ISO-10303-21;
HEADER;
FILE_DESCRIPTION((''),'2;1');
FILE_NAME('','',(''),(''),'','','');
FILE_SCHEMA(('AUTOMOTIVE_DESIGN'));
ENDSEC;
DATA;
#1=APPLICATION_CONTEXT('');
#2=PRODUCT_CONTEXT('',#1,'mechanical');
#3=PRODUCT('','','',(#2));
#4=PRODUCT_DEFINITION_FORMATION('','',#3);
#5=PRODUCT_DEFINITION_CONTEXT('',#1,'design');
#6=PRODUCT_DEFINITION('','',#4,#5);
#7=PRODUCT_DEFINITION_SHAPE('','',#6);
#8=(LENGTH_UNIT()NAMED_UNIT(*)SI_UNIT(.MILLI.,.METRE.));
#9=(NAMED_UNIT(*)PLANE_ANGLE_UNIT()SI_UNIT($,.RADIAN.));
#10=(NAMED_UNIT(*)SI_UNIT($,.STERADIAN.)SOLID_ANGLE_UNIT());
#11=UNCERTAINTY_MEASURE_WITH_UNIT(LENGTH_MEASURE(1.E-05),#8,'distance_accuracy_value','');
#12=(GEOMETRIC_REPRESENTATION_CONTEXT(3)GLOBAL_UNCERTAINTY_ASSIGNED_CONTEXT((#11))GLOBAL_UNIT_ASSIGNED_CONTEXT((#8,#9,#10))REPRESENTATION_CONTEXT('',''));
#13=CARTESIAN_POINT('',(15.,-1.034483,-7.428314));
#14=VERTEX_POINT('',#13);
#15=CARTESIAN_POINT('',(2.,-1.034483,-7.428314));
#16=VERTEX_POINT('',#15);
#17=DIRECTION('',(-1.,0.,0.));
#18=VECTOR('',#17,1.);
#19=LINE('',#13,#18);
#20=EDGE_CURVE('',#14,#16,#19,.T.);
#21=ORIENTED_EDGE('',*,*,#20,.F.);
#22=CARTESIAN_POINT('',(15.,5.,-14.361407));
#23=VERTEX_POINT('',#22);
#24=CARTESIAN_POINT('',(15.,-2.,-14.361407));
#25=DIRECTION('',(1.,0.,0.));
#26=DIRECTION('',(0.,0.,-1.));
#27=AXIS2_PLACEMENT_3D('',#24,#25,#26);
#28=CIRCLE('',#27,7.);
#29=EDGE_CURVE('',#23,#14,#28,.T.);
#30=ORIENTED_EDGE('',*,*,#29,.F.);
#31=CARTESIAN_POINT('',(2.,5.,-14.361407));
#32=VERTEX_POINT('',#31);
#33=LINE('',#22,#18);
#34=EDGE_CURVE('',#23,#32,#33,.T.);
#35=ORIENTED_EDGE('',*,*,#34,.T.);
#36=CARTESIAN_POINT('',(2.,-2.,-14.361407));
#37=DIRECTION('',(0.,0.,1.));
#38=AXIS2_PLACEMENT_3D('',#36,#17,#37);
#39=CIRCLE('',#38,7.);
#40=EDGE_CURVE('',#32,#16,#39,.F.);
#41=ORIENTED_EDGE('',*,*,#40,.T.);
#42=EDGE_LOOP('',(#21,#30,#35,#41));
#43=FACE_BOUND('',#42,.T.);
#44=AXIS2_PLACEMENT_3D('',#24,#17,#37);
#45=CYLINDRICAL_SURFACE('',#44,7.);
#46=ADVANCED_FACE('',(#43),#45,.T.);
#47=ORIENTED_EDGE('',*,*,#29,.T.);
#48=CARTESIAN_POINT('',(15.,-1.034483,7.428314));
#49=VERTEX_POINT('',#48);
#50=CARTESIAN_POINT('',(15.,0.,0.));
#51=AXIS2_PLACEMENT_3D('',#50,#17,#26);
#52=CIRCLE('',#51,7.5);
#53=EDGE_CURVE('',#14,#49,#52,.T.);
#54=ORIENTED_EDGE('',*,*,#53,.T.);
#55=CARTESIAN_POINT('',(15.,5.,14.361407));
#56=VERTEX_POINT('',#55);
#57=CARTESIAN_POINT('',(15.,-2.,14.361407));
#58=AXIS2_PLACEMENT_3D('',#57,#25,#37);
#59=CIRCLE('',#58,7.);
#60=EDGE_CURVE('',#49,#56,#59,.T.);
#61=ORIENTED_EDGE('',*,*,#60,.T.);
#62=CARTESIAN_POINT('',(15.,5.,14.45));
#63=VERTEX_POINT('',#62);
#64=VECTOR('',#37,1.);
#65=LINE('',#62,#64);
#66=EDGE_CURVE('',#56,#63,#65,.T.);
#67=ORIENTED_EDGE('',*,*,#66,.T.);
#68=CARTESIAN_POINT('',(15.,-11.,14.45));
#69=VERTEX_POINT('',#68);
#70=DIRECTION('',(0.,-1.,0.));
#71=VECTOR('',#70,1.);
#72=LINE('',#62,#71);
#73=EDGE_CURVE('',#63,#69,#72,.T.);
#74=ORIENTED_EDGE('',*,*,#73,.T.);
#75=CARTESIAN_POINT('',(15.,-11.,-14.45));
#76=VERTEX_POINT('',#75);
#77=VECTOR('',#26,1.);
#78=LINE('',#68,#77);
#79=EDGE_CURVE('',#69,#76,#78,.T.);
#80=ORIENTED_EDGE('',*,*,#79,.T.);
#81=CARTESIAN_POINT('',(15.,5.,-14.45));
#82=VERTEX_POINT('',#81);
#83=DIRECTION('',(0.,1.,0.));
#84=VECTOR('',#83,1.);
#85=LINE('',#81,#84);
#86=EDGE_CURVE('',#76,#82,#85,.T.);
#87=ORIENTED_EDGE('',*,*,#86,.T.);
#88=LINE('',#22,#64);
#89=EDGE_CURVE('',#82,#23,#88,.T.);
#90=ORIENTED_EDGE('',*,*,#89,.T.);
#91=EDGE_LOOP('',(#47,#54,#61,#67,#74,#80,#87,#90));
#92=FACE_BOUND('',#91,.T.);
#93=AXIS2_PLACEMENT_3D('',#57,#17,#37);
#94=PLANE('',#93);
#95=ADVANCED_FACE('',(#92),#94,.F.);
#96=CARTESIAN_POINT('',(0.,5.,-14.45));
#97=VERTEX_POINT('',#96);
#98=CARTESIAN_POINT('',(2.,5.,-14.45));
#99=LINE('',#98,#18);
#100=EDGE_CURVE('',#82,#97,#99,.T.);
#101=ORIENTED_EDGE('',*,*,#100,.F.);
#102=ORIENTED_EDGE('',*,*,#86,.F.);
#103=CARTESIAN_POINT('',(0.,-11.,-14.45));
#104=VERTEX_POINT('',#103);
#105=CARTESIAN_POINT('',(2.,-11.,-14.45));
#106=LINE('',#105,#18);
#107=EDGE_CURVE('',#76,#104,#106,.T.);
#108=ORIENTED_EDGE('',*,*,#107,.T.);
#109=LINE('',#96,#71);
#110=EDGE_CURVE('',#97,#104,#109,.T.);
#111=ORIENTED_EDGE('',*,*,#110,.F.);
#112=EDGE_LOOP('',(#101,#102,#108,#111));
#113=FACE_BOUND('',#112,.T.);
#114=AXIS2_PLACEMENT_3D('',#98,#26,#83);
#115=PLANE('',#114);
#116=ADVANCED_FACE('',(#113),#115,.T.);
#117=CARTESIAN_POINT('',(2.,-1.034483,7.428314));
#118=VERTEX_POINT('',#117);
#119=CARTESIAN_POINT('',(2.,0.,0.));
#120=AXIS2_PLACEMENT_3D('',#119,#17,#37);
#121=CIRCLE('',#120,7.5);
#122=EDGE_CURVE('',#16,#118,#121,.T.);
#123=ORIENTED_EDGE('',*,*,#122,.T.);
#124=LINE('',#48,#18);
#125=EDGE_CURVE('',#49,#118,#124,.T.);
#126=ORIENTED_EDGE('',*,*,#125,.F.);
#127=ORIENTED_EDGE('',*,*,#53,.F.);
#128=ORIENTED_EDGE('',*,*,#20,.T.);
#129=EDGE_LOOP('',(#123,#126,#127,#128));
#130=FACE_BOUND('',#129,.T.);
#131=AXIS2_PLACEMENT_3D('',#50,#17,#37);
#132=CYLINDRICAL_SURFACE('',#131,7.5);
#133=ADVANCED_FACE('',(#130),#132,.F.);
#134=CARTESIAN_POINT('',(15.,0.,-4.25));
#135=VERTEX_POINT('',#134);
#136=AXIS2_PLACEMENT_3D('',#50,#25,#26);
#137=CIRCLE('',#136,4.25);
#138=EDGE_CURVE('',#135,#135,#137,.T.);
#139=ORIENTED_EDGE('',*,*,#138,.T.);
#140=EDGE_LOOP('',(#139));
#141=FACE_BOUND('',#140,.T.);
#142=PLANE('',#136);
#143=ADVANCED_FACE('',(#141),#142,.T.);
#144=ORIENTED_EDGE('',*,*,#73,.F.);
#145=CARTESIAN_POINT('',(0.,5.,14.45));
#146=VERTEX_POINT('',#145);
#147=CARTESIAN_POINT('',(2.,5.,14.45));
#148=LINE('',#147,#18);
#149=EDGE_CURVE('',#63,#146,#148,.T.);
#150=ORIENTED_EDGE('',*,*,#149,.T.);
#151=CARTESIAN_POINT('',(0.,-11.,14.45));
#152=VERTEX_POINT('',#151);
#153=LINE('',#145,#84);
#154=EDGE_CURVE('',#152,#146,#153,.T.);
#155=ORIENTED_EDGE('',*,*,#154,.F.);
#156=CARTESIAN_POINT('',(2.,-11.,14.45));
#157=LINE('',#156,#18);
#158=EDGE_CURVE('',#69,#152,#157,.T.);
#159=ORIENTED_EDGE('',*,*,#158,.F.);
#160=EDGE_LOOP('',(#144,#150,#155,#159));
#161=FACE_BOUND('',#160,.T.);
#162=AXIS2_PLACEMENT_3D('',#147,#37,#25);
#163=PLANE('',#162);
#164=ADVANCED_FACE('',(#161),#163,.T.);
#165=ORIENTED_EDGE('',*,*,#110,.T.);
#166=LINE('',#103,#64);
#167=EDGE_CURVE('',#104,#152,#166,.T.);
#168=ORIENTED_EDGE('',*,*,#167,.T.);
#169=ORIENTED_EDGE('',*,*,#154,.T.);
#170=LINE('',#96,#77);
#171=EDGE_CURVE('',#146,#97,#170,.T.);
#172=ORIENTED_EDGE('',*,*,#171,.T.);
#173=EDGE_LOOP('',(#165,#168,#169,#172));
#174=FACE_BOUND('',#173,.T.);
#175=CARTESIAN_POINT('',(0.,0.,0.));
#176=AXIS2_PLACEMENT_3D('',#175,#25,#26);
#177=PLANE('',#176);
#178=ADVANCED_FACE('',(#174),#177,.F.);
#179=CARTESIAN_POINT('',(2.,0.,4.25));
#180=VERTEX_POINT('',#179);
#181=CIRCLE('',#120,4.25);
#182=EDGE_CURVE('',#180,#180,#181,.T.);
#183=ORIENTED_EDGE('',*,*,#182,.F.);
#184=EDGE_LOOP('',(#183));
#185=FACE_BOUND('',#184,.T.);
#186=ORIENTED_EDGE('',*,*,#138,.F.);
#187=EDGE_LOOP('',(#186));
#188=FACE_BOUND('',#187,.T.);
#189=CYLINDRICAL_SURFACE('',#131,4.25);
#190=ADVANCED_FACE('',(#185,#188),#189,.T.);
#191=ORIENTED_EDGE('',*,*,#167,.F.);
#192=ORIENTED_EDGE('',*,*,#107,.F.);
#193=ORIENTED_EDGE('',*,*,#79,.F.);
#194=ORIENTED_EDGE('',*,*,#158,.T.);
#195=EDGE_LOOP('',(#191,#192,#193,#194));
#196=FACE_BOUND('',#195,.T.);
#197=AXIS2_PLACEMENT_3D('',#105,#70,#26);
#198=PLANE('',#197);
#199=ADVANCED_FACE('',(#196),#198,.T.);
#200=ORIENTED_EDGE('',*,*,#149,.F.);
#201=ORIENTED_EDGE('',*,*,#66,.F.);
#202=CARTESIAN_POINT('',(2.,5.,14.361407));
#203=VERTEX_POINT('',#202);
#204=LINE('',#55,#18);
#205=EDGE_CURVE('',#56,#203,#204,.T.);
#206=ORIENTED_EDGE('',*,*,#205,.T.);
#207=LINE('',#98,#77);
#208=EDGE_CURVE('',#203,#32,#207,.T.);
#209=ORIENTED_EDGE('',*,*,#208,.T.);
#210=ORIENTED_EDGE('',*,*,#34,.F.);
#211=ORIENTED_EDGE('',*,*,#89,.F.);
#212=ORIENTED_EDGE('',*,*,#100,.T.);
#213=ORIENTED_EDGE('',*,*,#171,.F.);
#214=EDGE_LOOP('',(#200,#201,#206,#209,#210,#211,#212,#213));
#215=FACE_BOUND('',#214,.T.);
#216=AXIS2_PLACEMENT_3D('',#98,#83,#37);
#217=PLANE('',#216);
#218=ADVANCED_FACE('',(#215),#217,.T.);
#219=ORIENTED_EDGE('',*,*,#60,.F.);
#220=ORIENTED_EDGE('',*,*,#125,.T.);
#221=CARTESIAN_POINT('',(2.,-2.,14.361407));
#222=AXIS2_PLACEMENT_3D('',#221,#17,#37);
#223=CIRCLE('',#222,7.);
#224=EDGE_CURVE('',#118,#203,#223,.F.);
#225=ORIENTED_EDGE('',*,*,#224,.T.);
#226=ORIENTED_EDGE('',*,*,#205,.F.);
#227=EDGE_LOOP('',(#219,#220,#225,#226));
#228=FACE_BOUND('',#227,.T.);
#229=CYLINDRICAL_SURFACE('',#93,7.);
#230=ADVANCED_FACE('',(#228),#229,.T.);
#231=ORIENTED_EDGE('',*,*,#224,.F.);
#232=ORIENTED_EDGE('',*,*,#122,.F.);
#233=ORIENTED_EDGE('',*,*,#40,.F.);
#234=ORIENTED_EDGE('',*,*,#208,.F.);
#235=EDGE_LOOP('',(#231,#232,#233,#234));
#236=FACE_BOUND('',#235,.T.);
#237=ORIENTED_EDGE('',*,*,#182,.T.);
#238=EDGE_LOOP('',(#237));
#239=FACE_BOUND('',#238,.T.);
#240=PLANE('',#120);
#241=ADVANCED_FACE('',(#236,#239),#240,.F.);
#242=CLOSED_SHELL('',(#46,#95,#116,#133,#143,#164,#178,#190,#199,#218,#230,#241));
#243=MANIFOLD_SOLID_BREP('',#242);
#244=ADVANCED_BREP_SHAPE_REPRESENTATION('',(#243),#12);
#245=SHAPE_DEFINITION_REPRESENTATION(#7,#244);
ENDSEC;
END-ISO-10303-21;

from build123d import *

# Parameters (mm, degrees)
CROQUIS2_R                = 4.25
SALIENTE_EXTRUIR1_DEPTH   = 15
SALIENTE_EXTRUIR1_2_DEPTH = 15
CROQUIS3_W                = 28.9
CROQUIS3_H                = 16
SALIENTE_EXTRUIR2_DEPTH   = 2


with BuildPart() as part:
    # Croquis2 → Saliente-Extruir1 (new body)
    with BuildSketch(Plane(origin=(0, 0, 0), x_dir=(0, 0, -1), z_dir=(1, 0, 0))):
        Circle(CROQUIS2_R)
    extrude(amount=SALIENTE_EXTRUIR1_DEPTH)



with BuildPart() as body_2:
    # Croquis2 → Saliente-Extruir1 2 (new body)
    with BuildSketch(Plane(origin=(0, 0, 0), x_dir=(0, 0, -1), z_dir=(1, 0, 0))):
        with BuildLine():
            Line((-14.45, 5), (-14.361406616, 5))
            ThreePointArc((-14.361406616, 5), (-9.765681466, 3.280086206), (-7.428313767, -1.034482759))
            ThreePointArc((-7.428313767, -1.034482759), (0, -7.5), (7.428313767, -1.034482759))
            ThreePointArc((7.428313767, -1.034482759), (9.765681466, 3.280086206), (14.361406616, 5))
            Line((14.361406616, 5), (14.45, 5))
            Line((14.45, 5), (14.45, -11))
            Line((14.45, -11), (-14.45, -11))
            Line((-14.45, -11), (-14.45, 5))
        make_face()
    extrude(amount=SALIENTE_EXTRUIR1_2_DEPTH)


with BuildPart() as part_1:
    add(part.part)

    add(body_2.part)  # Saliente-Extruir2 merges body 2
    # Croquis3 → Saliente-Extruir2 (add)
    with BuildSketch(Plane.ZY):
        with Locations((0, -3)):
            Rectangle(CROQUIS3_W, CROQUIS3_H)
    extrude(amount=-SALIENTE_EXTRUIR2_DEPTH)


solid = part_1.part
